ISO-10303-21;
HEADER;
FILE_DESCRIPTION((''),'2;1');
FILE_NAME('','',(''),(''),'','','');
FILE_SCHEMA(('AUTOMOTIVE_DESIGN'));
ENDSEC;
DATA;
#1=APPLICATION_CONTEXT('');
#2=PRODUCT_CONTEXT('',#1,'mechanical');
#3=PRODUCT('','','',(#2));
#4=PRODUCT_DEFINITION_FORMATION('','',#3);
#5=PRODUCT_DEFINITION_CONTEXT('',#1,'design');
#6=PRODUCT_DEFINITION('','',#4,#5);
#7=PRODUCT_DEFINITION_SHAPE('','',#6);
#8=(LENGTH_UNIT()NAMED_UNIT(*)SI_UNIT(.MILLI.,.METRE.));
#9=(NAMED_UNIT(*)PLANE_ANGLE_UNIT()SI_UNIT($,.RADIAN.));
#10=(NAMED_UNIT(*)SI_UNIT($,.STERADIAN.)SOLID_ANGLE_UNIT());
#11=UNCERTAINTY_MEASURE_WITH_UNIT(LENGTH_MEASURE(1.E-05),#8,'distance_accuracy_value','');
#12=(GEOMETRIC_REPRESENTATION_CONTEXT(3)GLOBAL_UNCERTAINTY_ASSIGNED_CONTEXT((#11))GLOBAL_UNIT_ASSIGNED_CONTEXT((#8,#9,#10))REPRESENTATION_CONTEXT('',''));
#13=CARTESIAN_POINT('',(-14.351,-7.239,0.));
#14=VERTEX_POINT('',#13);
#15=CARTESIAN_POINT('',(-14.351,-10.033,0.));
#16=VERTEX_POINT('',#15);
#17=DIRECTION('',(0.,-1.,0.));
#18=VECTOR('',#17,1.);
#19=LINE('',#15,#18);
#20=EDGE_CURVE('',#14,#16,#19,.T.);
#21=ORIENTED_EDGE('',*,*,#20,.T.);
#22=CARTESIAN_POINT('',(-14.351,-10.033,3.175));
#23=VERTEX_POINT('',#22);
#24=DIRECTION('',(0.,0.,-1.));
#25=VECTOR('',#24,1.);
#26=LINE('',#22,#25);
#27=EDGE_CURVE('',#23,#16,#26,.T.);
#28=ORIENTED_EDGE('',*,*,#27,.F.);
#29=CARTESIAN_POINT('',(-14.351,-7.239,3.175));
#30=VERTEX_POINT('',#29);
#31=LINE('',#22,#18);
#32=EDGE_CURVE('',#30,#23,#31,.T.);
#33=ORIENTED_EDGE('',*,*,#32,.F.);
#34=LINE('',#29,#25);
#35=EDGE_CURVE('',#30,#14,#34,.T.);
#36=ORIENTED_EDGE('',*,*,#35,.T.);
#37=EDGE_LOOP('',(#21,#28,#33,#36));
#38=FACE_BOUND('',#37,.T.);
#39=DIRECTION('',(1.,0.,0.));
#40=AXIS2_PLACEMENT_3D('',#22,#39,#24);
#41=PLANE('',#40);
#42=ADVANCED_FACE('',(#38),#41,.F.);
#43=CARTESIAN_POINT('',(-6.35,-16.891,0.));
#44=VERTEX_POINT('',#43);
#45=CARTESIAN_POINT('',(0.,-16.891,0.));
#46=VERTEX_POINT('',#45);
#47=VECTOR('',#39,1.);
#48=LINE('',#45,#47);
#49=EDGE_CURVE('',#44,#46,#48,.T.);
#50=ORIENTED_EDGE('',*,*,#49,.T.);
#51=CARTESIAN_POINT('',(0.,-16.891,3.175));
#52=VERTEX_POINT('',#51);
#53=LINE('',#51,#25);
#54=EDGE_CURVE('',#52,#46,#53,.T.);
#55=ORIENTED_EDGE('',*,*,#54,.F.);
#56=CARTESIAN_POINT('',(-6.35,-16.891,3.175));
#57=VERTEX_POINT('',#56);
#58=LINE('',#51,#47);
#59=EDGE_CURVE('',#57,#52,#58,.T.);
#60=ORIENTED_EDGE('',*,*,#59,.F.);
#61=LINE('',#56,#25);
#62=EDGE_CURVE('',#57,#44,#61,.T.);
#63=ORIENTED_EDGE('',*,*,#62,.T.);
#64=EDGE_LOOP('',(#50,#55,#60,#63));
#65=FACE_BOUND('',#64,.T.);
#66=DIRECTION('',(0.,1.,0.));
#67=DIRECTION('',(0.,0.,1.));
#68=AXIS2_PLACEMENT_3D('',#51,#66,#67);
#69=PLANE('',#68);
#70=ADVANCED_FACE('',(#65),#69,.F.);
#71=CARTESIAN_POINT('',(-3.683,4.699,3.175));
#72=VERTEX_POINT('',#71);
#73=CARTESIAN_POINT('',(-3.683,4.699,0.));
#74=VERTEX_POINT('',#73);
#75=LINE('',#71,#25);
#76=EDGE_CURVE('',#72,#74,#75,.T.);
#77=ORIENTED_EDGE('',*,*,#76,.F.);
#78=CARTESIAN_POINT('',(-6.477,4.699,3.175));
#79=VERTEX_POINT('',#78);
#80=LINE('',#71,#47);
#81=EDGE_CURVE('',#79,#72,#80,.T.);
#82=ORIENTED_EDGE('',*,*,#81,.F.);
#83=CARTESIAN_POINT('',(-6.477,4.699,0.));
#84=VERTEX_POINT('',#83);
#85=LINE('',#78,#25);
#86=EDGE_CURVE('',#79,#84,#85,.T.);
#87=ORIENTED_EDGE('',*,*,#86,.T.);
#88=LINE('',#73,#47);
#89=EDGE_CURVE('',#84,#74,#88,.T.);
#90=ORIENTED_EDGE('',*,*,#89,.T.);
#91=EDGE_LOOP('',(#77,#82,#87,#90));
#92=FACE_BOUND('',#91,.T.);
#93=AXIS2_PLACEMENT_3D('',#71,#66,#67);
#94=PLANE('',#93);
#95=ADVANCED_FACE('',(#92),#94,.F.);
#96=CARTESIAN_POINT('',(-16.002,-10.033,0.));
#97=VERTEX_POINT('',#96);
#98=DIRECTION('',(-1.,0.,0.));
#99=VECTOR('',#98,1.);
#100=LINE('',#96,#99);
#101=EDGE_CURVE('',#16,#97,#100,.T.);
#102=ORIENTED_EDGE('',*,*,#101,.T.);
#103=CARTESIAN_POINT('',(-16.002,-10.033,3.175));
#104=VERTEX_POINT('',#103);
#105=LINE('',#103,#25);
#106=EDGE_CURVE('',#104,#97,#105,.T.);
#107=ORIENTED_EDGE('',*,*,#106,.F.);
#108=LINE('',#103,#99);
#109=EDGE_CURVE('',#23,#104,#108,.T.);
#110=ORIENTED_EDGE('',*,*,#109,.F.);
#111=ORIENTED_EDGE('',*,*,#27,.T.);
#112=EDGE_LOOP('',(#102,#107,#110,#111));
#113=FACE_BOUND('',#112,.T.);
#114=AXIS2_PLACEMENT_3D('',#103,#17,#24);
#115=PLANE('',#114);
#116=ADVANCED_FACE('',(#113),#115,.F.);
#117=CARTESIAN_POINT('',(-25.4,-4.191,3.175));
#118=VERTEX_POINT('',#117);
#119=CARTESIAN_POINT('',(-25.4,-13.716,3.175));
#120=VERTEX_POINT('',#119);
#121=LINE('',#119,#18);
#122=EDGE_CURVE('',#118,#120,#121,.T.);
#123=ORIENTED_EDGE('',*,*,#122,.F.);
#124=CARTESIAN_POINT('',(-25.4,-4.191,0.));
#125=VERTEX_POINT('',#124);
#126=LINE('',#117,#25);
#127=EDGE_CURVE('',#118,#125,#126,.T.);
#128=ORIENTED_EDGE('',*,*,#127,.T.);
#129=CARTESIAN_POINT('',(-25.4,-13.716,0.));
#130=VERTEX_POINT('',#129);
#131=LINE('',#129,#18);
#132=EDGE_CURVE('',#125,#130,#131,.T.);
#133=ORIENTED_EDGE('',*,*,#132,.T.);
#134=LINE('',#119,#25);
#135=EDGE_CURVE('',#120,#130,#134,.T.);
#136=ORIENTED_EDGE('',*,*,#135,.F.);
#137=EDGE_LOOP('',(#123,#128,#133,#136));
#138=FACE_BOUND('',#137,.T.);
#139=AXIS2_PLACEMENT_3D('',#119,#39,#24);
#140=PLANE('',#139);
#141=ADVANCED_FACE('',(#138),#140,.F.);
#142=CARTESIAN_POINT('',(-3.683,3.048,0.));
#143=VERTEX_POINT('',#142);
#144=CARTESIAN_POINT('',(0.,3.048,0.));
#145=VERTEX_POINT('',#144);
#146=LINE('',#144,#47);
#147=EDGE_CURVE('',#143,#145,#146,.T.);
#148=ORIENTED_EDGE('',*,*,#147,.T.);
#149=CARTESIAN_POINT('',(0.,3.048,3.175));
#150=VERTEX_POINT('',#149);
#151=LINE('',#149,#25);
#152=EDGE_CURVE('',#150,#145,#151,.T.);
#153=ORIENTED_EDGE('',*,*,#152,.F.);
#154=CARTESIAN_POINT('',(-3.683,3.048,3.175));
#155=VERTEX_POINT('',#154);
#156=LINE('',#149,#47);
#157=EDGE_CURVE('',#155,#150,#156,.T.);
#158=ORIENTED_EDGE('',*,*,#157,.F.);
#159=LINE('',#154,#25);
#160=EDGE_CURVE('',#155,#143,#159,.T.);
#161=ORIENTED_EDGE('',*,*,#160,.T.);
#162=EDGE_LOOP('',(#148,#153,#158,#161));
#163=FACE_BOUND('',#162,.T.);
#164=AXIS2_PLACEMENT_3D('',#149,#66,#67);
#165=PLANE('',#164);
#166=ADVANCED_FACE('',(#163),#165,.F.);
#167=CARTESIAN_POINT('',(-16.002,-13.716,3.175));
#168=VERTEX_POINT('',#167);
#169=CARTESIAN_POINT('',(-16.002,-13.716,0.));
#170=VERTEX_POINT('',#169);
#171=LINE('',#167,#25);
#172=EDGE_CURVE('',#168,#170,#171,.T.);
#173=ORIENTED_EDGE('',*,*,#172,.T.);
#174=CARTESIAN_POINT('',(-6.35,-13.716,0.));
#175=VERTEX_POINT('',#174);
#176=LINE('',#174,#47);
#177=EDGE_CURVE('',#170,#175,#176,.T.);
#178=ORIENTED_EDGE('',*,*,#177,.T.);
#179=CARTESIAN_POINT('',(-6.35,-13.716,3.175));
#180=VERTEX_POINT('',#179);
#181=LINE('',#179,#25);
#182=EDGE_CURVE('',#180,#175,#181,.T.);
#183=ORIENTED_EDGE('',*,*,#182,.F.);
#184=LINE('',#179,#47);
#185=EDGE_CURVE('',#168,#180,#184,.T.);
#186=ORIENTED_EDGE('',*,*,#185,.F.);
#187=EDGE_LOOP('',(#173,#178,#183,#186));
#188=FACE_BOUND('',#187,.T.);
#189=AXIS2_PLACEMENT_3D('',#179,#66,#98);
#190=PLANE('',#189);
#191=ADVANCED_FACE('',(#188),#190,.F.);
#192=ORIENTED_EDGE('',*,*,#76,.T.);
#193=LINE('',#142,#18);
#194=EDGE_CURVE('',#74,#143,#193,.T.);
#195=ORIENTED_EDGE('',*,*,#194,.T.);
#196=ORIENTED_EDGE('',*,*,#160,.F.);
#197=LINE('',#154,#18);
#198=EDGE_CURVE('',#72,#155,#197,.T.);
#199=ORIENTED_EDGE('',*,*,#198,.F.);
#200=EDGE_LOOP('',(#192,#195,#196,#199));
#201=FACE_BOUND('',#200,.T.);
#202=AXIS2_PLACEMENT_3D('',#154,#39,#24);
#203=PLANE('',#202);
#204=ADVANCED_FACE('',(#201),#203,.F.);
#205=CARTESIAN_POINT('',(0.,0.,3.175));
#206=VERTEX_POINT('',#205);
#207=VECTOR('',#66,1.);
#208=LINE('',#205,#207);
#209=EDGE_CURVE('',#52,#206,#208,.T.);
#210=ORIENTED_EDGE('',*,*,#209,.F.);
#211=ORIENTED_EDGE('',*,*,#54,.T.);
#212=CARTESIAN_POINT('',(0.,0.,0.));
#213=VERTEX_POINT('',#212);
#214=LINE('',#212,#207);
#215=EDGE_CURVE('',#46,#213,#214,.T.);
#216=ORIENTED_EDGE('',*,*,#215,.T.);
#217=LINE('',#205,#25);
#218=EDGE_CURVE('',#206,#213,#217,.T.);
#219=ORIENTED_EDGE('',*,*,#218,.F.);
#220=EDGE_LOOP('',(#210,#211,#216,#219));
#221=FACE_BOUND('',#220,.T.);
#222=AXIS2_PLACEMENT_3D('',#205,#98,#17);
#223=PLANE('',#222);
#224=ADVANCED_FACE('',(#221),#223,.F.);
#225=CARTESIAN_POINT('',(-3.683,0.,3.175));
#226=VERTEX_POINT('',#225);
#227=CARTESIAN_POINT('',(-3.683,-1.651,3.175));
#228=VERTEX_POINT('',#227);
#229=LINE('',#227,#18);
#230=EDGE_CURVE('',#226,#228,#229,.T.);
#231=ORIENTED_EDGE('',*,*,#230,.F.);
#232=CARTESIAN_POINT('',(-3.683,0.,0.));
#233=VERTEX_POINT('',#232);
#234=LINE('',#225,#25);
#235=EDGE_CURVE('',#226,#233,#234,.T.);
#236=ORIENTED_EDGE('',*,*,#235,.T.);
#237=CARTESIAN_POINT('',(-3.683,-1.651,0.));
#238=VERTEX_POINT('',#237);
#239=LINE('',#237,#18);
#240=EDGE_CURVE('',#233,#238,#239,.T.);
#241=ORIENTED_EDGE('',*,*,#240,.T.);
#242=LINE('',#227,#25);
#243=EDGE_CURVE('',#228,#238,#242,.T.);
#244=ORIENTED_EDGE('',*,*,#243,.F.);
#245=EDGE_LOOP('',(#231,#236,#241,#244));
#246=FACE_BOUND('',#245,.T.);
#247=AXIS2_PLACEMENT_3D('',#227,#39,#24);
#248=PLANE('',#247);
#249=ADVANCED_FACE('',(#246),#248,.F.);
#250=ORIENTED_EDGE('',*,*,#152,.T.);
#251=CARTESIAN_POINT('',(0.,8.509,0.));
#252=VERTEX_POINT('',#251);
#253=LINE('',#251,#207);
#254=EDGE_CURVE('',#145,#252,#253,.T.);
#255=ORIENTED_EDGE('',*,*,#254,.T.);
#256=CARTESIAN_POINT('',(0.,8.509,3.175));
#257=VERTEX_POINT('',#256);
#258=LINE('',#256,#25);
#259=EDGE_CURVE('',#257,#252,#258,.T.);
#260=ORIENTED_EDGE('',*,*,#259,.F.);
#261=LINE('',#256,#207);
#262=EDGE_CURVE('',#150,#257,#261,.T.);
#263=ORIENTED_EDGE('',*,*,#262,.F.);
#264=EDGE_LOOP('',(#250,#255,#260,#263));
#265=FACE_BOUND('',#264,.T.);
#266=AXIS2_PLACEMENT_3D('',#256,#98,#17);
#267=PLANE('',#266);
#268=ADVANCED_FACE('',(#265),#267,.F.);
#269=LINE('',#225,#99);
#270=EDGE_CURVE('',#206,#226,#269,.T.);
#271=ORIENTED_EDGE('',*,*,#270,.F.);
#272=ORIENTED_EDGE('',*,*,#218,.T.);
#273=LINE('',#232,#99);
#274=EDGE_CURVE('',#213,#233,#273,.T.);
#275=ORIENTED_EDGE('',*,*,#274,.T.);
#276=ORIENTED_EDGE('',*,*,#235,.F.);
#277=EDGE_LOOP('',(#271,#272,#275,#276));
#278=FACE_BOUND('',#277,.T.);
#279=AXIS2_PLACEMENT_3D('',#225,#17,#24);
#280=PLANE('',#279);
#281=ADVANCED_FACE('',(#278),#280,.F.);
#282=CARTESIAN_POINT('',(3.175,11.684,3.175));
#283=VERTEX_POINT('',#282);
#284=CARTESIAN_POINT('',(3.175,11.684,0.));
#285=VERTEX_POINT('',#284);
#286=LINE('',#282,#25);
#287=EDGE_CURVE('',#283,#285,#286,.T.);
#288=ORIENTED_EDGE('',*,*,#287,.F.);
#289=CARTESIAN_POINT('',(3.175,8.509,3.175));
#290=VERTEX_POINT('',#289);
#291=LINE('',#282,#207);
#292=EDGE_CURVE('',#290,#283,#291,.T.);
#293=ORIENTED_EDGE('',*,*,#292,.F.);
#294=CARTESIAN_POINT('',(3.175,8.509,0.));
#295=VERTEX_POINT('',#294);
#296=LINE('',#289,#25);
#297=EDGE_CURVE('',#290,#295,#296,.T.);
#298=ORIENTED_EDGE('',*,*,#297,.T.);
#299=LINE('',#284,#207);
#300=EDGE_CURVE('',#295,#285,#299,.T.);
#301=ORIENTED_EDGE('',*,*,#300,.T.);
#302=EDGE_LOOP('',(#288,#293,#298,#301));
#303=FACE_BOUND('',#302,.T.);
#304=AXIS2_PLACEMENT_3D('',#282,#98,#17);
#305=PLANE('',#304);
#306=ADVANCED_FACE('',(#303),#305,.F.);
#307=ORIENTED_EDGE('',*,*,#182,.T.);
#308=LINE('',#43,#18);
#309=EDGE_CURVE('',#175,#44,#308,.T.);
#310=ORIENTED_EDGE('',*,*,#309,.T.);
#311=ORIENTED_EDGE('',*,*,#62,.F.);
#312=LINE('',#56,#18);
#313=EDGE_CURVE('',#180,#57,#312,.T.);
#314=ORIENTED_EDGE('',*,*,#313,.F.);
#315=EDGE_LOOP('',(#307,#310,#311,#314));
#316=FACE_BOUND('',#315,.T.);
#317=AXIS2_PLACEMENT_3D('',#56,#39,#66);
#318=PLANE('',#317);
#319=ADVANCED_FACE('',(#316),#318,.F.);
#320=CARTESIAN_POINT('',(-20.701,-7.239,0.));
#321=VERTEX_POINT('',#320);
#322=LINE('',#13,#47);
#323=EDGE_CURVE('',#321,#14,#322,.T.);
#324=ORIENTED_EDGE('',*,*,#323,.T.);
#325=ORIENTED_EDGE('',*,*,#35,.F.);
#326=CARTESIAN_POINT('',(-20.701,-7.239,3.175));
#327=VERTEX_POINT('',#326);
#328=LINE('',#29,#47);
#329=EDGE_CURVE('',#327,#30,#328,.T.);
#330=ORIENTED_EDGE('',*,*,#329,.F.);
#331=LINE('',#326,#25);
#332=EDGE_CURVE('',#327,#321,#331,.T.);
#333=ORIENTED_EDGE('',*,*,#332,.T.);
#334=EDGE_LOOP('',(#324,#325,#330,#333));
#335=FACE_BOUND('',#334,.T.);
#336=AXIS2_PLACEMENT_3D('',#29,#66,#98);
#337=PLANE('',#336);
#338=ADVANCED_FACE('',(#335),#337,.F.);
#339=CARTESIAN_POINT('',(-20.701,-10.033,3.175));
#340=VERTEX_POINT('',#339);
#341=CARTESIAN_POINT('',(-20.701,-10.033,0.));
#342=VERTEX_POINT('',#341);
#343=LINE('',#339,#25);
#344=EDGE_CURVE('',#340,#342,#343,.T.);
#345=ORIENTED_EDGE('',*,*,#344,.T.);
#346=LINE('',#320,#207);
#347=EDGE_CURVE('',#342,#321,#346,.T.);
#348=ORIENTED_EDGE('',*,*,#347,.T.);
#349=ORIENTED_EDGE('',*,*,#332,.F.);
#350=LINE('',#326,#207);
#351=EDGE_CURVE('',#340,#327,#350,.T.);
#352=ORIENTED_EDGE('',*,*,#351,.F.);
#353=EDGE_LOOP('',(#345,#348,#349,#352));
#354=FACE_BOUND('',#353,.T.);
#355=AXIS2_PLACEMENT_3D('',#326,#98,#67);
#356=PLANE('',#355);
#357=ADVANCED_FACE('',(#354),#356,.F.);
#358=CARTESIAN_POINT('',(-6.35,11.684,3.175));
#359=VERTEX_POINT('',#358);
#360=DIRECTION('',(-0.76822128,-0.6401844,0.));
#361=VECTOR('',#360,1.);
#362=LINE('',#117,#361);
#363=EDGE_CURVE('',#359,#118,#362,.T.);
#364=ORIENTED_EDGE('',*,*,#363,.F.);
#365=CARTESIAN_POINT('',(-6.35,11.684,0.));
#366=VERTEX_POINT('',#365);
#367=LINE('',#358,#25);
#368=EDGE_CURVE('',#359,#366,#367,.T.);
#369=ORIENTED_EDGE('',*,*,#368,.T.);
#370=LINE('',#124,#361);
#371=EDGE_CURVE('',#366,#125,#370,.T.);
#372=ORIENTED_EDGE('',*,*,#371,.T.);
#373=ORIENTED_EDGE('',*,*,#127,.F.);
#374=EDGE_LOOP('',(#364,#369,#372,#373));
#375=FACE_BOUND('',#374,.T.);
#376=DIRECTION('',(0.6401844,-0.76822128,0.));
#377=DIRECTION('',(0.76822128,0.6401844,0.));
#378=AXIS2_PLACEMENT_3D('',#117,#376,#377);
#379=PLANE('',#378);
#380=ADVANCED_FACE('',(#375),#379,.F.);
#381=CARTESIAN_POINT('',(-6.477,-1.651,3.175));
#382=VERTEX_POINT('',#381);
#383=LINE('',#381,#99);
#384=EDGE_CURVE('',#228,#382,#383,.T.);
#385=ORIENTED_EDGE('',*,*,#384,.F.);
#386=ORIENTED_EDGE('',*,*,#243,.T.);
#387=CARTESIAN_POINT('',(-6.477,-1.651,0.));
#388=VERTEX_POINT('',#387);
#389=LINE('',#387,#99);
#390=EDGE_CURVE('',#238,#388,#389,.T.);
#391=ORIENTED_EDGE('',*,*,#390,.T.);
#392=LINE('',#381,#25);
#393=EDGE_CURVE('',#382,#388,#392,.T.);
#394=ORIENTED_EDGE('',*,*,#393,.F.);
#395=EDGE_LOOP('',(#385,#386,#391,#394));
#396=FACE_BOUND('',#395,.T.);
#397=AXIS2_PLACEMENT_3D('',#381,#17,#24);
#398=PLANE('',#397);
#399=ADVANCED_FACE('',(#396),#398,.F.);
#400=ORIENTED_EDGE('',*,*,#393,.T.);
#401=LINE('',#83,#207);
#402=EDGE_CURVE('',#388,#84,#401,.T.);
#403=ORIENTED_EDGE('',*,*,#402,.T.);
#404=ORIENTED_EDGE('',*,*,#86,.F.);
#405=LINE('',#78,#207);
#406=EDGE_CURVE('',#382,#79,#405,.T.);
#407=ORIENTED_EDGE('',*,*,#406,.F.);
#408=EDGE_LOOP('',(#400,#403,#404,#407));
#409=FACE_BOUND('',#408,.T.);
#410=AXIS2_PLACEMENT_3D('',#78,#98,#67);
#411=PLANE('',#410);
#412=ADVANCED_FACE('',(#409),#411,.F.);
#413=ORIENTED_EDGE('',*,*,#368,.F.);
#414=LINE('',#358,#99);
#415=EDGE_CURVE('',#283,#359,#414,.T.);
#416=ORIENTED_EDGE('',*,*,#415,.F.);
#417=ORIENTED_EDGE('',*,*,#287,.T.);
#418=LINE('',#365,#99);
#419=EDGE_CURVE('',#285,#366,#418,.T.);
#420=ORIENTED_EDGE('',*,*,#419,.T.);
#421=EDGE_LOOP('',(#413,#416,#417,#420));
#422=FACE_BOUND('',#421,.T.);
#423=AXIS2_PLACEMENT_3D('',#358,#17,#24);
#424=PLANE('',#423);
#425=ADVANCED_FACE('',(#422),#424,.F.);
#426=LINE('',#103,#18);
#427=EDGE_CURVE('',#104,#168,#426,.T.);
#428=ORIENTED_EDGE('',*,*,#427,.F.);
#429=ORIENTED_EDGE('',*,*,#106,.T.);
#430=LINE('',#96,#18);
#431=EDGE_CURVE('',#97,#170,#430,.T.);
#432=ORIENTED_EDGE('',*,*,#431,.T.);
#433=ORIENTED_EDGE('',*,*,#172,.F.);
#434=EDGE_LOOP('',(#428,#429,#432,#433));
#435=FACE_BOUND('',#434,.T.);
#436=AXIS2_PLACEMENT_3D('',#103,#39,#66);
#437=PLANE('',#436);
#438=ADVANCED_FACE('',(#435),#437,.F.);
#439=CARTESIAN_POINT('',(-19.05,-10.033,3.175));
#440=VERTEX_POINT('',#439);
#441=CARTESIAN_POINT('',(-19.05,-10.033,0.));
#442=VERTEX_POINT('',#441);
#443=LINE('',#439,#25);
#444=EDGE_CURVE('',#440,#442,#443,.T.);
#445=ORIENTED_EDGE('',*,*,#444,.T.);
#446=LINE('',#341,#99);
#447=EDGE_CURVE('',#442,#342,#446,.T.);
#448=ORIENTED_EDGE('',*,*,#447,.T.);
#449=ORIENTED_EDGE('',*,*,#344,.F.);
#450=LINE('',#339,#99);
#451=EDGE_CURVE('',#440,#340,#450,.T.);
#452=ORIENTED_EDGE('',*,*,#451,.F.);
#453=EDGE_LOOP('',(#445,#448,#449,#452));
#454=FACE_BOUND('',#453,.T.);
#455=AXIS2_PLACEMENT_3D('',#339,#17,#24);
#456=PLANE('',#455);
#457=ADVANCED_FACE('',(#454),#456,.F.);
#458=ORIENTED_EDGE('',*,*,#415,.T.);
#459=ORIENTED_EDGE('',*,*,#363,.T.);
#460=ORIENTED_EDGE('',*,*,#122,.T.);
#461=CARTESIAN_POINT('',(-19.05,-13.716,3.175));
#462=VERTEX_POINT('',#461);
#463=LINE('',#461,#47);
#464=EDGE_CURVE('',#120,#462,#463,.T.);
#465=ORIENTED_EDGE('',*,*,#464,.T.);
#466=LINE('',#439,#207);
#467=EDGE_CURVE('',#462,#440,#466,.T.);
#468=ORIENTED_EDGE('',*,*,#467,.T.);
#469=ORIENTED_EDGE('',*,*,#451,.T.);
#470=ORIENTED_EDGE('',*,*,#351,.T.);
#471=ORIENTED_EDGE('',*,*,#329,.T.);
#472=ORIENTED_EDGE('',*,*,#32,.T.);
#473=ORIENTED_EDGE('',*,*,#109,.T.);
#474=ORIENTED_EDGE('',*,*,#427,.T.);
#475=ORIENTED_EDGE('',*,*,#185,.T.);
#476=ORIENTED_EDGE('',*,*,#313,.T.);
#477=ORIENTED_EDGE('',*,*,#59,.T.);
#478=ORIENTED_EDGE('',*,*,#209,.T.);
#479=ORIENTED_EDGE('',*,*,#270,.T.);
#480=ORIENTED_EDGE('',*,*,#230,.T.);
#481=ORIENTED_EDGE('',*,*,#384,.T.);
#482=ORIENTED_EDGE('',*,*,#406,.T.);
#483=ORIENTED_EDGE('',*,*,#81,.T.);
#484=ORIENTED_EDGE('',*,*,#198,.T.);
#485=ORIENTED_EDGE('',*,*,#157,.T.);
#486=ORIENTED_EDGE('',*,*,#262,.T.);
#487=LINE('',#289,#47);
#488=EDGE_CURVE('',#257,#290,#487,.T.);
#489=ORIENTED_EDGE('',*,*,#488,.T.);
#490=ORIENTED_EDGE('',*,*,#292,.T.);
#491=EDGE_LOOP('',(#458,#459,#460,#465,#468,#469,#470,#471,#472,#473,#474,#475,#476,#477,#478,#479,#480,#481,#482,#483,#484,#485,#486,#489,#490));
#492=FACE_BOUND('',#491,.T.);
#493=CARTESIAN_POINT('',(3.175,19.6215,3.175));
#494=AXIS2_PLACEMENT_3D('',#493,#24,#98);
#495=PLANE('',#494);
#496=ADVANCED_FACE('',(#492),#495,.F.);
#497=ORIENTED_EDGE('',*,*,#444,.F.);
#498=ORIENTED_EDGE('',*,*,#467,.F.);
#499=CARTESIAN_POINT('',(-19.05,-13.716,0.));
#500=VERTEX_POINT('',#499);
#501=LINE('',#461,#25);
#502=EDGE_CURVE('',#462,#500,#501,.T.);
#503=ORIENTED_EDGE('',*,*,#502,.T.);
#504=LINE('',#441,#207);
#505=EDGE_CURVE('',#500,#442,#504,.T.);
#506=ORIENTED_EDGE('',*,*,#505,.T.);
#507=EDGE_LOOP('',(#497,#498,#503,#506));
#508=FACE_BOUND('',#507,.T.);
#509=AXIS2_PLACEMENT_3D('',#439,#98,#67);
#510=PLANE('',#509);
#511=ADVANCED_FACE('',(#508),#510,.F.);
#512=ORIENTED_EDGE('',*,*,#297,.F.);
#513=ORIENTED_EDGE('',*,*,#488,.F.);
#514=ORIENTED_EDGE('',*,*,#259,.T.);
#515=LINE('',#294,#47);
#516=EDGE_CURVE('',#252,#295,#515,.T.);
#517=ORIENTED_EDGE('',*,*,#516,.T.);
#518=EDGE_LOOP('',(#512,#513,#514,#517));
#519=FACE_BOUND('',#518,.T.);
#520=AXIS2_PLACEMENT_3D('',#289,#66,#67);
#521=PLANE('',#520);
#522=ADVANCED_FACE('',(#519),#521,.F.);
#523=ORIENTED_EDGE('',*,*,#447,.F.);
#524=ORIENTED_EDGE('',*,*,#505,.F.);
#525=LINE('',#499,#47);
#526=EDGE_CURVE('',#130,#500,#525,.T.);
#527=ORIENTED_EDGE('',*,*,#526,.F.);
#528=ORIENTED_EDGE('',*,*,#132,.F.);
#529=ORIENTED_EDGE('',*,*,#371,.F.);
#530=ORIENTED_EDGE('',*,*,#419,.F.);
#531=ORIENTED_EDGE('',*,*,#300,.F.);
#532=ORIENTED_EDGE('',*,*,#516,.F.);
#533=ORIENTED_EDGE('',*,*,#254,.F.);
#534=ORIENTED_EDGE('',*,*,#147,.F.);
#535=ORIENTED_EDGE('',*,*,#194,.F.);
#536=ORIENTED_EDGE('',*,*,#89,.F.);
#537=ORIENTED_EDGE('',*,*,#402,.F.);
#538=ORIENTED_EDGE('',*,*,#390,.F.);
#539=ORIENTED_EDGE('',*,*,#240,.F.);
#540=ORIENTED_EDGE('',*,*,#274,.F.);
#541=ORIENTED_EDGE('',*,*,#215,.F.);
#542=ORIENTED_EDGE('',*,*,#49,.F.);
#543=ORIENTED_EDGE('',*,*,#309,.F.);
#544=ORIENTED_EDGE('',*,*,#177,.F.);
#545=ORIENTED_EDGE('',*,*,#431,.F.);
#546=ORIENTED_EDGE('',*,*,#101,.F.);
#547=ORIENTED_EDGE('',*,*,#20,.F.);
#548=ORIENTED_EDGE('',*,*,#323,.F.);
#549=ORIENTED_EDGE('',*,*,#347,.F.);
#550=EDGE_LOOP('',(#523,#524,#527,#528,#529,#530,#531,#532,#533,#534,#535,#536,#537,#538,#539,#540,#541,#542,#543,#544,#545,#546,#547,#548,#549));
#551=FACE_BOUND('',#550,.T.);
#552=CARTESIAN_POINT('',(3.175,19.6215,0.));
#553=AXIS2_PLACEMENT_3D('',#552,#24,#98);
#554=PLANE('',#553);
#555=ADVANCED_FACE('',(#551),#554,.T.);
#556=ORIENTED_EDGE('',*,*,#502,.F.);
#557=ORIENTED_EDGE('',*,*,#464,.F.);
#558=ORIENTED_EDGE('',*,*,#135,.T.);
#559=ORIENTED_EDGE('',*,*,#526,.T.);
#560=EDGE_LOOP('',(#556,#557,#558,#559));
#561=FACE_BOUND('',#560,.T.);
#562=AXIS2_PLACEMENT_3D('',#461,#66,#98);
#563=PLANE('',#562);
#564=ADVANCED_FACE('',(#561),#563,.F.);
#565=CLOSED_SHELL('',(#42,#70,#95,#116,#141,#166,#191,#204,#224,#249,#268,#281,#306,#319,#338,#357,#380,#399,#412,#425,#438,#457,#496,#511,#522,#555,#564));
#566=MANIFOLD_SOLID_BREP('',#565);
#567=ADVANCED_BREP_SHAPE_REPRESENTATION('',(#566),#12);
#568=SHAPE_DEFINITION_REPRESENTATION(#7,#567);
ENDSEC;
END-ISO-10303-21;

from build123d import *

# Parameters (mm, degrees)
BOSS_EXTRUDE1_DEPTH = 3.175


with BuildPart() as part:
    # Sketch1 → Boss-Extrude1 (new body)
    with BuildSketch(Plane.XY):
        Polygon((-6.35, 11.684), (3.175, 11.684), (3.175, 8.509), (0, 8.509), (0, 3.048), (-3.683, 3.048), (-3.683, 4.699), (-6.477, 4.699), (-6.477, -1.651), (-3.683, -1.651), (-3.683, 0), (0, 0), (0, -16.891), (-6.35, -16.891), (-6.35, -13.716), (-16.002, -13.716), (-16.002, -10.033), (-14.351, -10.033), (-14.351, -7.239), (-20.701, -7.239), (-20.701, -10.033), (-19.05, -10.033), (-19.05, -13.716), (-25.4, -13.716), (-25.4, -4.191), align=None)
    extrude(amount=BOSS_EXTRUDE1_DEPTH)


solid = part.part
